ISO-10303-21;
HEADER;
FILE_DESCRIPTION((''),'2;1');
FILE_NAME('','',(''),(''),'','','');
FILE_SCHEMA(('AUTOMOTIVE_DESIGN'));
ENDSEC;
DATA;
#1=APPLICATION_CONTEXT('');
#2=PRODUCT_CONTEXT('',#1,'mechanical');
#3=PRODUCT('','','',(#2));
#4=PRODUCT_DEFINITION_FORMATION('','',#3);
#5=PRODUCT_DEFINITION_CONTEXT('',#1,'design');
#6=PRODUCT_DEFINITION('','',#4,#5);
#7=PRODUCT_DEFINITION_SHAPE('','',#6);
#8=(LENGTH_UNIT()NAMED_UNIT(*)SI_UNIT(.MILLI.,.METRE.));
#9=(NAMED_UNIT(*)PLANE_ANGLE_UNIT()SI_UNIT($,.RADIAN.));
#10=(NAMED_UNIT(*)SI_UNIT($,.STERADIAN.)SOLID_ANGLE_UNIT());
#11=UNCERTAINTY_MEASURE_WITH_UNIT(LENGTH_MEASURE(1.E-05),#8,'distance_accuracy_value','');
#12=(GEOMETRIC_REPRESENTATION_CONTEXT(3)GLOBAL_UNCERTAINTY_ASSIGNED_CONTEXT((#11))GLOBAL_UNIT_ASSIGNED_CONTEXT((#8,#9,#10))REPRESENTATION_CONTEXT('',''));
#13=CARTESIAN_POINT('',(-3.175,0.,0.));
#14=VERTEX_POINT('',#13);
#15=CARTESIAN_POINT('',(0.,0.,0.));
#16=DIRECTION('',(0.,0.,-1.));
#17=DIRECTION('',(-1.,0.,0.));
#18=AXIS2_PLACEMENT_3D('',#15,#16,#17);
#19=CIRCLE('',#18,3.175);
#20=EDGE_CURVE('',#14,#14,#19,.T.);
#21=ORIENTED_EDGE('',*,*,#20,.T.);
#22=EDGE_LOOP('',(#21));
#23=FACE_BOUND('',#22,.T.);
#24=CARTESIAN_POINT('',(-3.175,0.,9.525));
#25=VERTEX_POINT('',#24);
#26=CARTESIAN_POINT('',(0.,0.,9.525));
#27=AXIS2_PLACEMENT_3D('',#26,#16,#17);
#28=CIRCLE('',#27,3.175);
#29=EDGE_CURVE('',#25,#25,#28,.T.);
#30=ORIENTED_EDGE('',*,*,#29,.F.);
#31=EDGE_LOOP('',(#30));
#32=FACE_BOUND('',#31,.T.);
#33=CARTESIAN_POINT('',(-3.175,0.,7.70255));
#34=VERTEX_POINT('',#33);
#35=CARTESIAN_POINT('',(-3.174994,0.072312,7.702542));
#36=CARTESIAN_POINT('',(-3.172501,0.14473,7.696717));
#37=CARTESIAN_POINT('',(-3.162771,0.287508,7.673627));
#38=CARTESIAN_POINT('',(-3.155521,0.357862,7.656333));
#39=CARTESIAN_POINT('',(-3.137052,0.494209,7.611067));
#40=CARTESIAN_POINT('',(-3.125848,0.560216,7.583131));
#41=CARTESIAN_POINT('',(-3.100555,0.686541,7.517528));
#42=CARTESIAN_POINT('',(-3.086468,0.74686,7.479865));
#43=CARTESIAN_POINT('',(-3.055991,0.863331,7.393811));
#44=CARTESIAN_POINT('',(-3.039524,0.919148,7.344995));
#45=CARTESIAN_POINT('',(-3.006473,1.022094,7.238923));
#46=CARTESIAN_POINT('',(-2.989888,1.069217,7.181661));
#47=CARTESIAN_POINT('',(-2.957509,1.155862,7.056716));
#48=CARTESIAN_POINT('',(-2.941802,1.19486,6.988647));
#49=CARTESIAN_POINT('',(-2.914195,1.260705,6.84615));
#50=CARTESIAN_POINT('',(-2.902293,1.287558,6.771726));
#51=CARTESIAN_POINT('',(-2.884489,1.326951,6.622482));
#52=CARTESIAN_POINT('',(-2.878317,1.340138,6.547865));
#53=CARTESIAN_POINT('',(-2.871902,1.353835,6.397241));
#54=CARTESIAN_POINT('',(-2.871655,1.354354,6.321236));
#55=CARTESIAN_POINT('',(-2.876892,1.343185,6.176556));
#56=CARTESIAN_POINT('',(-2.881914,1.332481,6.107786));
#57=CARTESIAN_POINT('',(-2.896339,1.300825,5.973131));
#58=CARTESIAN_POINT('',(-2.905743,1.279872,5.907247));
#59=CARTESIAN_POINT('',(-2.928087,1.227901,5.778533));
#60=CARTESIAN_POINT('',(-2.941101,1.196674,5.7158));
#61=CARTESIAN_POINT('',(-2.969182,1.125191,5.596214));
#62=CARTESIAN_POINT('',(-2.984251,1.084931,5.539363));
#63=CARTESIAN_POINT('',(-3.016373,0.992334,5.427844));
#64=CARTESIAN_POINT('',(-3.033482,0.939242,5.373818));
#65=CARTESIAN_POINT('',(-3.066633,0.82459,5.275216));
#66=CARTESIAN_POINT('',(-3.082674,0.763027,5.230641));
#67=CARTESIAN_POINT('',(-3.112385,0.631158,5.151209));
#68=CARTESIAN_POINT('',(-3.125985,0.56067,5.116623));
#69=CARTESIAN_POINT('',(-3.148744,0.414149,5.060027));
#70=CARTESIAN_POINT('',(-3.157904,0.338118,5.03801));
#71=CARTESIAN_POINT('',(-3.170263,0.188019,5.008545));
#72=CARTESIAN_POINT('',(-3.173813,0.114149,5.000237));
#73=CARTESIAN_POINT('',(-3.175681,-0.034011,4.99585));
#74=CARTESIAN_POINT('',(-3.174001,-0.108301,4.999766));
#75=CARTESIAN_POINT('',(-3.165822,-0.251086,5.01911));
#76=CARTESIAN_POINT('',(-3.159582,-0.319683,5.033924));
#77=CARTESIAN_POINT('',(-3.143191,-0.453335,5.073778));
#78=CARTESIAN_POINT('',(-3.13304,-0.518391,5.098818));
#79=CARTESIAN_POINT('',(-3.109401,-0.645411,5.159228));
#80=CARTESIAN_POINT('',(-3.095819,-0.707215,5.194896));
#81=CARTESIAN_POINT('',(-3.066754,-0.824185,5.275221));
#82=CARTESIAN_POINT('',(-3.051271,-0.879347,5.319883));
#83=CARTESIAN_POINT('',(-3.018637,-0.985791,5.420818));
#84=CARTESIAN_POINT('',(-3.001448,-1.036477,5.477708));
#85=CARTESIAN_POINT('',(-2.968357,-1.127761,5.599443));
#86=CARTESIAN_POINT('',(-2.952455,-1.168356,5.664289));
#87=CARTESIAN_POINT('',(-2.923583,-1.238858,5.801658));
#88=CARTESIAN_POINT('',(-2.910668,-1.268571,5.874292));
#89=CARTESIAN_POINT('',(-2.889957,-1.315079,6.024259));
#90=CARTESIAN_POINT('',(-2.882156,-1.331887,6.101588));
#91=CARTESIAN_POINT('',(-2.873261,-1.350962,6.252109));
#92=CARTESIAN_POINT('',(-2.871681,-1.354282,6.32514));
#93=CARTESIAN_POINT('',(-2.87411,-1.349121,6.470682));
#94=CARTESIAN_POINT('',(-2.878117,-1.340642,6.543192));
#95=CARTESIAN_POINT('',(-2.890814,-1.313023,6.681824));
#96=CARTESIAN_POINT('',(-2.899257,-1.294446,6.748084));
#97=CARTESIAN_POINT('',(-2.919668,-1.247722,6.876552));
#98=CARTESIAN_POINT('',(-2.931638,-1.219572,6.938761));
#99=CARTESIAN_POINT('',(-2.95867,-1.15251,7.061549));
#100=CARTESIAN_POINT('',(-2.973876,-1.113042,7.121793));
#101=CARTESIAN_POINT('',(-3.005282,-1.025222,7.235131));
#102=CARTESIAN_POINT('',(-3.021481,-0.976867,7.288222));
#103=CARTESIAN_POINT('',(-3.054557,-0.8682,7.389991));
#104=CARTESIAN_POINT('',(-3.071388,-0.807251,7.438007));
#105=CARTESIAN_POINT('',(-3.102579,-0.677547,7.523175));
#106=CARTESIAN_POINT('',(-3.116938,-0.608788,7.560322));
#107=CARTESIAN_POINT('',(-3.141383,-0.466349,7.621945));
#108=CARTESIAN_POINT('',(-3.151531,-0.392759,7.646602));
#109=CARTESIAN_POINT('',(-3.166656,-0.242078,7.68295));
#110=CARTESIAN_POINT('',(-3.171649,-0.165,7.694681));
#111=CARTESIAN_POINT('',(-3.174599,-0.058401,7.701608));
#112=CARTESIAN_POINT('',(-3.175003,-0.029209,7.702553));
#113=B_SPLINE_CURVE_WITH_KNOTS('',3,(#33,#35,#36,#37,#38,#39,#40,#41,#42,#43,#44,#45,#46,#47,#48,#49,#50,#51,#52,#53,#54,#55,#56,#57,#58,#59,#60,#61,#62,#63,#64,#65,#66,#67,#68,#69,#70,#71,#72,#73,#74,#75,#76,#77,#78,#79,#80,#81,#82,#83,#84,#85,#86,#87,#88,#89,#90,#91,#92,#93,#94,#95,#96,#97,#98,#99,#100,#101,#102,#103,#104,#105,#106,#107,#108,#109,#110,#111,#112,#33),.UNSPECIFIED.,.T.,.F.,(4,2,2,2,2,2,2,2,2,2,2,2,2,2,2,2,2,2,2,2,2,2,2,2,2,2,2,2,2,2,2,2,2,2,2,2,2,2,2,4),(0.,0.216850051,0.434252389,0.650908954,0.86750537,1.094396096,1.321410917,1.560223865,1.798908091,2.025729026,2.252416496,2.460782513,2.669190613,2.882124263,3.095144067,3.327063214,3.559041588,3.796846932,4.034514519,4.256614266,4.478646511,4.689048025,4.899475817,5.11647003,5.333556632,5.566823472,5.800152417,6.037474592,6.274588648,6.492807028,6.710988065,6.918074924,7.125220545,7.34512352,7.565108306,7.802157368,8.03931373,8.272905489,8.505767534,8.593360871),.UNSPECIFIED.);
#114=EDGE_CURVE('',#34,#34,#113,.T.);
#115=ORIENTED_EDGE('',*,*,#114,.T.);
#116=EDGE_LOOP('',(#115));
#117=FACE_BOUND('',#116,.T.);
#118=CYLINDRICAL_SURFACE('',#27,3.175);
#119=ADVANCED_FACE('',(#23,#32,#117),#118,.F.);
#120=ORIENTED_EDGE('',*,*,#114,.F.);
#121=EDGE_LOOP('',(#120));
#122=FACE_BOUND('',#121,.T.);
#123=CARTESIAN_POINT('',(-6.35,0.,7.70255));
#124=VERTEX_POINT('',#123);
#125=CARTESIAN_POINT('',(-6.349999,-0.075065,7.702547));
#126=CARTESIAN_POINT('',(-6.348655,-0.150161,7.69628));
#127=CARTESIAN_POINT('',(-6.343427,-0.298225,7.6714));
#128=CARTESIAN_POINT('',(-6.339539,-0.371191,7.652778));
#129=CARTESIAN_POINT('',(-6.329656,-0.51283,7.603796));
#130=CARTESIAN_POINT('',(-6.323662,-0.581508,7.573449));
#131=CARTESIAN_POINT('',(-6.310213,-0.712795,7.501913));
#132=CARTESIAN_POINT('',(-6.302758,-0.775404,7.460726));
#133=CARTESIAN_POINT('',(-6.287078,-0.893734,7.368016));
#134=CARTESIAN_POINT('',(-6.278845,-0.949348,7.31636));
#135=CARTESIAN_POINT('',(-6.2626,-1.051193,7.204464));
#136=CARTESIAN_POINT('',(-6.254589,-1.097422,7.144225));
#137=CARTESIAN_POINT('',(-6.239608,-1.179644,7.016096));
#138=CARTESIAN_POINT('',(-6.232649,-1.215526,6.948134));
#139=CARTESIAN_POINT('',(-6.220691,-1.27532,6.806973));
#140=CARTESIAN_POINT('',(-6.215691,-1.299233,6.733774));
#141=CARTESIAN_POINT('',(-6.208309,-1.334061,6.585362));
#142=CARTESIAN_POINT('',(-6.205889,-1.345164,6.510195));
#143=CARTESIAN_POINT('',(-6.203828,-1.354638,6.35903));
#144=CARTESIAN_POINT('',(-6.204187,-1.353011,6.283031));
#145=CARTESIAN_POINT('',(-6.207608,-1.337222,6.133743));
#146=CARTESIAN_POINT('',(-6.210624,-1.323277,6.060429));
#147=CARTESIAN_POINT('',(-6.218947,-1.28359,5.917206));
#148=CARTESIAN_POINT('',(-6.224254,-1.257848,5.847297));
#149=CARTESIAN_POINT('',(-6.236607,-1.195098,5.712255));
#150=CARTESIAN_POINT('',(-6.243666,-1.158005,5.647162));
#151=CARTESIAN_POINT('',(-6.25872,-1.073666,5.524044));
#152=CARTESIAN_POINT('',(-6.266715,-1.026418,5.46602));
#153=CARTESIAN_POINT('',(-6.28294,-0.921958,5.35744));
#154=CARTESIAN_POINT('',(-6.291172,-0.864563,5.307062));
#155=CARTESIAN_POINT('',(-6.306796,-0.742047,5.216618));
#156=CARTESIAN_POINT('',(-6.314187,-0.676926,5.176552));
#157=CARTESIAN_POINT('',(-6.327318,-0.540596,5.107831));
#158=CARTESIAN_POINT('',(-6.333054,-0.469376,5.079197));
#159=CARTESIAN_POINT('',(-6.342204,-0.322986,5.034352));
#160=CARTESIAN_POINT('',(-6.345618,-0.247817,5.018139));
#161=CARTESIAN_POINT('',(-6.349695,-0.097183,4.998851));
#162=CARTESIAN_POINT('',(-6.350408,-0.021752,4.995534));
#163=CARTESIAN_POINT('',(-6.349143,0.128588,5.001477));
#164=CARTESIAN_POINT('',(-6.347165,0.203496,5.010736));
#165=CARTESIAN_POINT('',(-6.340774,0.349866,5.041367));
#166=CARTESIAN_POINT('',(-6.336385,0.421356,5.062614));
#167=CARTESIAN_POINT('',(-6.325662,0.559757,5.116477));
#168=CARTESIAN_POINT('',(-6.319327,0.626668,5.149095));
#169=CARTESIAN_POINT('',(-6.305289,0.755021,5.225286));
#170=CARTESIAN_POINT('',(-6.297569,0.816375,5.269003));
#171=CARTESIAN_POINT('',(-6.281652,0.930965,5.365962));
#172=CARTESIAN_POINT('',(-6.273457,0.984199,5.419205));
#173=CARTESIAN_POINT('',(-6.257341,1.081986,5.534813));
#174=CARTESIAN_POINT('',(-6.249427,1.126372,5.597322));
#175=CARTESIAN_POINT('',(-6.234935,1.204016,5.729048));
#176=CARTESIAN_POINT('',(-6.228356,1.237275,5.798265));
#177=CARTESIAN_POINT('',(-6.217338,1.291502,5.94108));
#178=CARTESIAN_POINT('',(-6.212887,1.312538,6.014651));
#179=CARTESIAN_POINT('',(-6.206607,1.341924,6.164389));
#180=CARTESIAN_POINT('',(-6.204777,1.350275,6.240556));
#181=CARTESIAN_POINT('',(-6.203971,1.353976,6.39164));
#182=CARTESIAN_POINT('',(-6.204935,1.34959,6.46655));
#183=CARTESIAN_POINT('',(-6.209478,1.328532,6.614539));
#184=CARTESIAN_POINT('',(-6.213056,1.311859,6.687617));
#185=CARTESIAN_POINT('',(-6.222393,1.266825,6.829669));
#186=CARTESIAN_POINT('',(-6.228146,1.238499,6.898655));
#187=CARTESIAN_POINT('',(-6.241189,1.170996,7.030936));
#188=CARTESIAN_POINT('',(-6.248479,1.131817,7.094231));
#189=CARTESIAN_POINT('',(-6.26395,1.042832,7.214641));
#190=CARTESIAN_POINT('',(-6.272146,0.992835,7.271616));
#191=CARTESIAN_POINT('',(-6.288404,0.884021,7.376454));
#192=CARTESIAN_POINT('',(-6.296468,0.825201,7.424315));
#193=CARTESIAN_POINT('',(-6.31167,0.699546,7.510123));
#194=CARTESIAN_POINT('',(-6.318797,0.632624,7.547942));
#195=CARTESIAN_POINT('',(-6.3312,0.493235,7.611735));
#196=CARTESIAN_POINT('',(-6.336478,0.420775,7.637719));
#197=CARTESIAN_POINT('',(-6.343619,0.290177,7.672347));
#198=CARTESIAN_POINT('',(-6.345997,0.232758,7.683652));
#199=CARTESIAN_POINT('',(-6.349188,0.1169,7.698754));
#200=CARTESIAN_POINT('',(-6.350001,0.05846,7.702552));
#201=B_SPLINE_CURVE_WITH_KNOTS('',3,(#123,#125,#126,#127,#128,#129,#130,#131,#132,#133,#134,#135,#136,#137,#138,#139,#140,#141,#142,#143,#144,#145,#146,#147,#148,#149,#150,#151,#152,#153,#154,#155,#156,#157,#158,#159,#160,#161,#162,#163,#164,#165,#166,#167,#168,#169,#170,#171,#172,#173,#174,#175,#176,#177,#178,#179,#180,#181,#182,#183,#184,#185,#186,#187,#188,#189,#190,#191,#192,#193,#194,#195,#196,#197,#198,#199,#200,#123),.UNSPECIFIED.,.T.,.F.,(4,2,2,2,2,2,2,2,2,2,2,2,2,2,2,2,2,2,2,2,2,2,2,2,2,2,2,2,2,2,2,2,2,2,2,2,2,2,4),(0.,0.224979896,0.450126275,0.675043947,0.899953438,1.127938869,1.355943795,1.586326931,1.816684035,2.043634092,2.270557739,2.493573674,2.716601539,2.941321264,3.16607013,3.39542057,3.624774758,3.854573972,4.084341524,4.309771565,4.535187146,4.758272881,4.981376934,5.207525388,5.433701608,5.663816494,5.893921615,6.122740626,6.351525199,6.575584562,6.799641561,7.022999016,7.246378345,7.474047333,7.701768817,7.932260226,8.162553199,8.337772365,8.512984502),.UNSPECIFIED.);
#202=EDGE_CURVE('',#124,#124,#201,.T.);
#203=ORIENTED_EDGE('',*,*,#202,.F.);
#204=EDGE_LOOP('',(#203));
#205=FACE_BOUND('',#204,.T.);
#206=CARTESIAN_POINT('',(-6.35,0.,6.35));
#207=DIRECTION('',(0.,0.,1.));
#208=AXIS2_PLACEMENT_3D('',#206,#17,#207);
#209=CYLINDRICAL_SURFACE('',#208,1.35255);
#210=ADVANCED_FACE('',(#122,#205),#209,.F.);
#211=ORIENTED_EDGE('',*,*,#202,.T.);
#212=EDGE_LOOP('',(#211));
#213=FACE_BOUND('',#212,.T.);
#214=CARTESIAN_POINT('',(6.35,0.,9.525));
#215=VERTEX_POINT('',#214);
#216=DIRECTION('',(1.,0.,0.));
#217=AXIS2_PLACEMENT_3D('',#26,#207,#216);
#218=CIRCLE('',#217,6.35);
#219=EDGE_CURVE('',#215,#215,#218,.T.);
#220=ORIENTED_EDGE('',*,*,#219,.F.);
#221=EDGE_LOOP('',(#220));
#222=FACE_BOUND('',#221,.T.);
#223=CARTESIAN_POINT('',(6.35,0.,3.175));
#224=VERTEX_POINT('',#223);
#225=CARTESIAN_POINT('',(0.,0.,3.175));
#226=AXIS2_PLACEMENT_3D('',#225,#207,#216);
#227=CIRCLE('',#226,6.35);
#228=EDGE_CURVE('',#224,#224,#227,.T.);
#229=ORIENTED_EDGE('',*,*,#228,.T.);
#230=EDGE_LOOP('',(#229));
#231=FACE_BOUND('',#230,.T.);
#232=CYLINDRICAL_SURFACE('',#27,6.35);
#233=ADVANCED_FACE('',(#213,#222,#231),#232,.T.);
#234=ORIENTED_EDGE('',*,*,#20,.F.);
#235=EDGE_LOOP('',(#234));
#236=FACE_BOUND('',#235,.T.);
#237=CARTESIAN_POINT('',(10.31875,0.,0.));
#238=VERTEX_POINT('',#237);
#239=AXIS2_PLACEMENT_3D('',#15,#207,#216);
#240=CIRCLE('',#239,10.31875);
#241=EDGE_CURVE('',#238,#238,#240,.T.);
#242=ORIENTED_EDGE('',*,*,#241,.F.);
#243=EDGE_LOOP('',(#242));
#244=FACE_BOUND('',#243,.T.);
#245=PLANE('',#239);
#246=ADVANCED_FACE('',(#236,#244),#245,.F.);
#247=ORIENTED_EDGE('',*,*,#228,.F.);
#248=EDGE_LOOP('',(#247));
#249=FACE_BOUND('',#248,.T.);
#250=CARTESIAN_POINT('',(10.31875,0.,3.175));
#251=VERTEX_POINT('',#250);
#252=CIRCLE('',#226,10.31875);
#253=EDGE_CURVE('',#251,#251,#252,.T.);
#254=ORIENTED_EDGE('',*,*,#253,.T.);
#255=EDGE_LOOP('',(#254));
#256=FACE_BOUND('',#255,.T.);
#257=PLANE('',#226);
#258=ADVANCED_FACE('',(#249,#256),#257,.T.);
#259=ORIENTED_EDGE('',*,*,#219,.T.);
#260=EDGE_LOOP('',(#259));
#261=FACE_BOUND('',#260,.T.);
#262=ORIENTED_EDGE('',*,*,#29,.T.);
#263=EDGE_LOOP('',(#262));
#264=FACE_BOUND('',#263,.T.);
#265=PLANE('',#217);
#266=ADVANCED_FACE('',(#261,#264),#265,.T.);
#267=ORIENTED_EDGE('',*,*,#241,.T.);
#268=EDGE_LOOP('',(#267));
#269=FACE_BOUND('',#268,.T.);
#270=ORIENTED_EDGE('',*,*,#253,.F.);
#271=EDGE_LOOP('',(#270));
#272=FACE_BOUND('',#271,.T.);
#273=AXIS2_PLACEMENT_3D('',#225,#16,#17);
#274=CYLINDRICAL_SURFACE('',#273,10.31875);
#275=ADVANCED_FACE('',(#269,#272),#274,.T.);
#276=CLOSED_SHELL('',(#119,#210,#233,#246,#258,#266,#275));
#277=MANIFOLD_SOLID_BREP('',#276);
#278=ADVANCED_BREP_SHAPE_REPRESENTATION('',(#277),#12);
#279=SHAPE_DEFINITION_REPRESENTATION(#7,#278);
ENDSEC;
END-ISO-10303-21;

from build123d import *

# Parameters (mm, degrees)
SKETCH1_R                  = 10.31875
BOSS_EXTRUDE1_DEPTH        = 3.175
SKETCH2_R                  = 6.35
BOSS_EXTRUDE2_DEPTH        = 6.35
SKETCH3_R                  = 3.175
CUT_EXTRUDE1_DEPTH         = 18.426383105
F_6_32_TAPPED_HOLE1_REACH  = 23.796
F_6_32_TAPPED_HOLE1_BORE_R = 1.35255


with BuildPart() as part:
    # Sketch1 → Boss-Extrude1 (new body)
    with BuildSketch(Plane.XY):
        Circle(SKETCH1_R)
    extrude(amount=BOSS_EXTRUDE1_DEPTH)

    # Sketch2 → Boss-Extrude2 (add)
    with BuildSketch(Plane.XY.offset(3.175)):
        Circle(SKETCH2_R)
    extrude(amount=BOSS_EXTRUDE2_DEPTH)

    # Sketch3 → Cut-Extrude1 (cut, through all)
    with BuildSketch(Plane(origin=(0, 0, 0), x_dir=(-1, 0, 0), z_dir=(0, 0, -1))):
        Circle(SKETCH3_R)
    extrude(amount=-CUT_EXTRUDE1_DEPTH, mode=Mode.SUBTRACT)

    # #6-32 Tapped Hole1 bore → #6-32 Tapped Hole1 (cut, up to next)
    with BuildSketch(Plane.ZY.offset(6.35), mode=Mode.PRIVATE) as f_6_32_tapped_hole1_sk1:
        with Locations((6.35, 0)):
            Circle(F_6_32_TAPPED_HOLE1_BORE_R)
    f_6_32_tapped_hole1_tool1 = extrude(f_6_32_tapped_hole1_sk1.sketch, amount=-F_6_32_TAPPED_HOLE1_REACH, mode=Mode.PRIVATE) & part.part
    add(f_6_32_tapped_hole1_tool1.solids().sort_by_distance((-6.35, 0, 6.35))[0], mode=Mode.SUBTRACT)


solid = part.part
